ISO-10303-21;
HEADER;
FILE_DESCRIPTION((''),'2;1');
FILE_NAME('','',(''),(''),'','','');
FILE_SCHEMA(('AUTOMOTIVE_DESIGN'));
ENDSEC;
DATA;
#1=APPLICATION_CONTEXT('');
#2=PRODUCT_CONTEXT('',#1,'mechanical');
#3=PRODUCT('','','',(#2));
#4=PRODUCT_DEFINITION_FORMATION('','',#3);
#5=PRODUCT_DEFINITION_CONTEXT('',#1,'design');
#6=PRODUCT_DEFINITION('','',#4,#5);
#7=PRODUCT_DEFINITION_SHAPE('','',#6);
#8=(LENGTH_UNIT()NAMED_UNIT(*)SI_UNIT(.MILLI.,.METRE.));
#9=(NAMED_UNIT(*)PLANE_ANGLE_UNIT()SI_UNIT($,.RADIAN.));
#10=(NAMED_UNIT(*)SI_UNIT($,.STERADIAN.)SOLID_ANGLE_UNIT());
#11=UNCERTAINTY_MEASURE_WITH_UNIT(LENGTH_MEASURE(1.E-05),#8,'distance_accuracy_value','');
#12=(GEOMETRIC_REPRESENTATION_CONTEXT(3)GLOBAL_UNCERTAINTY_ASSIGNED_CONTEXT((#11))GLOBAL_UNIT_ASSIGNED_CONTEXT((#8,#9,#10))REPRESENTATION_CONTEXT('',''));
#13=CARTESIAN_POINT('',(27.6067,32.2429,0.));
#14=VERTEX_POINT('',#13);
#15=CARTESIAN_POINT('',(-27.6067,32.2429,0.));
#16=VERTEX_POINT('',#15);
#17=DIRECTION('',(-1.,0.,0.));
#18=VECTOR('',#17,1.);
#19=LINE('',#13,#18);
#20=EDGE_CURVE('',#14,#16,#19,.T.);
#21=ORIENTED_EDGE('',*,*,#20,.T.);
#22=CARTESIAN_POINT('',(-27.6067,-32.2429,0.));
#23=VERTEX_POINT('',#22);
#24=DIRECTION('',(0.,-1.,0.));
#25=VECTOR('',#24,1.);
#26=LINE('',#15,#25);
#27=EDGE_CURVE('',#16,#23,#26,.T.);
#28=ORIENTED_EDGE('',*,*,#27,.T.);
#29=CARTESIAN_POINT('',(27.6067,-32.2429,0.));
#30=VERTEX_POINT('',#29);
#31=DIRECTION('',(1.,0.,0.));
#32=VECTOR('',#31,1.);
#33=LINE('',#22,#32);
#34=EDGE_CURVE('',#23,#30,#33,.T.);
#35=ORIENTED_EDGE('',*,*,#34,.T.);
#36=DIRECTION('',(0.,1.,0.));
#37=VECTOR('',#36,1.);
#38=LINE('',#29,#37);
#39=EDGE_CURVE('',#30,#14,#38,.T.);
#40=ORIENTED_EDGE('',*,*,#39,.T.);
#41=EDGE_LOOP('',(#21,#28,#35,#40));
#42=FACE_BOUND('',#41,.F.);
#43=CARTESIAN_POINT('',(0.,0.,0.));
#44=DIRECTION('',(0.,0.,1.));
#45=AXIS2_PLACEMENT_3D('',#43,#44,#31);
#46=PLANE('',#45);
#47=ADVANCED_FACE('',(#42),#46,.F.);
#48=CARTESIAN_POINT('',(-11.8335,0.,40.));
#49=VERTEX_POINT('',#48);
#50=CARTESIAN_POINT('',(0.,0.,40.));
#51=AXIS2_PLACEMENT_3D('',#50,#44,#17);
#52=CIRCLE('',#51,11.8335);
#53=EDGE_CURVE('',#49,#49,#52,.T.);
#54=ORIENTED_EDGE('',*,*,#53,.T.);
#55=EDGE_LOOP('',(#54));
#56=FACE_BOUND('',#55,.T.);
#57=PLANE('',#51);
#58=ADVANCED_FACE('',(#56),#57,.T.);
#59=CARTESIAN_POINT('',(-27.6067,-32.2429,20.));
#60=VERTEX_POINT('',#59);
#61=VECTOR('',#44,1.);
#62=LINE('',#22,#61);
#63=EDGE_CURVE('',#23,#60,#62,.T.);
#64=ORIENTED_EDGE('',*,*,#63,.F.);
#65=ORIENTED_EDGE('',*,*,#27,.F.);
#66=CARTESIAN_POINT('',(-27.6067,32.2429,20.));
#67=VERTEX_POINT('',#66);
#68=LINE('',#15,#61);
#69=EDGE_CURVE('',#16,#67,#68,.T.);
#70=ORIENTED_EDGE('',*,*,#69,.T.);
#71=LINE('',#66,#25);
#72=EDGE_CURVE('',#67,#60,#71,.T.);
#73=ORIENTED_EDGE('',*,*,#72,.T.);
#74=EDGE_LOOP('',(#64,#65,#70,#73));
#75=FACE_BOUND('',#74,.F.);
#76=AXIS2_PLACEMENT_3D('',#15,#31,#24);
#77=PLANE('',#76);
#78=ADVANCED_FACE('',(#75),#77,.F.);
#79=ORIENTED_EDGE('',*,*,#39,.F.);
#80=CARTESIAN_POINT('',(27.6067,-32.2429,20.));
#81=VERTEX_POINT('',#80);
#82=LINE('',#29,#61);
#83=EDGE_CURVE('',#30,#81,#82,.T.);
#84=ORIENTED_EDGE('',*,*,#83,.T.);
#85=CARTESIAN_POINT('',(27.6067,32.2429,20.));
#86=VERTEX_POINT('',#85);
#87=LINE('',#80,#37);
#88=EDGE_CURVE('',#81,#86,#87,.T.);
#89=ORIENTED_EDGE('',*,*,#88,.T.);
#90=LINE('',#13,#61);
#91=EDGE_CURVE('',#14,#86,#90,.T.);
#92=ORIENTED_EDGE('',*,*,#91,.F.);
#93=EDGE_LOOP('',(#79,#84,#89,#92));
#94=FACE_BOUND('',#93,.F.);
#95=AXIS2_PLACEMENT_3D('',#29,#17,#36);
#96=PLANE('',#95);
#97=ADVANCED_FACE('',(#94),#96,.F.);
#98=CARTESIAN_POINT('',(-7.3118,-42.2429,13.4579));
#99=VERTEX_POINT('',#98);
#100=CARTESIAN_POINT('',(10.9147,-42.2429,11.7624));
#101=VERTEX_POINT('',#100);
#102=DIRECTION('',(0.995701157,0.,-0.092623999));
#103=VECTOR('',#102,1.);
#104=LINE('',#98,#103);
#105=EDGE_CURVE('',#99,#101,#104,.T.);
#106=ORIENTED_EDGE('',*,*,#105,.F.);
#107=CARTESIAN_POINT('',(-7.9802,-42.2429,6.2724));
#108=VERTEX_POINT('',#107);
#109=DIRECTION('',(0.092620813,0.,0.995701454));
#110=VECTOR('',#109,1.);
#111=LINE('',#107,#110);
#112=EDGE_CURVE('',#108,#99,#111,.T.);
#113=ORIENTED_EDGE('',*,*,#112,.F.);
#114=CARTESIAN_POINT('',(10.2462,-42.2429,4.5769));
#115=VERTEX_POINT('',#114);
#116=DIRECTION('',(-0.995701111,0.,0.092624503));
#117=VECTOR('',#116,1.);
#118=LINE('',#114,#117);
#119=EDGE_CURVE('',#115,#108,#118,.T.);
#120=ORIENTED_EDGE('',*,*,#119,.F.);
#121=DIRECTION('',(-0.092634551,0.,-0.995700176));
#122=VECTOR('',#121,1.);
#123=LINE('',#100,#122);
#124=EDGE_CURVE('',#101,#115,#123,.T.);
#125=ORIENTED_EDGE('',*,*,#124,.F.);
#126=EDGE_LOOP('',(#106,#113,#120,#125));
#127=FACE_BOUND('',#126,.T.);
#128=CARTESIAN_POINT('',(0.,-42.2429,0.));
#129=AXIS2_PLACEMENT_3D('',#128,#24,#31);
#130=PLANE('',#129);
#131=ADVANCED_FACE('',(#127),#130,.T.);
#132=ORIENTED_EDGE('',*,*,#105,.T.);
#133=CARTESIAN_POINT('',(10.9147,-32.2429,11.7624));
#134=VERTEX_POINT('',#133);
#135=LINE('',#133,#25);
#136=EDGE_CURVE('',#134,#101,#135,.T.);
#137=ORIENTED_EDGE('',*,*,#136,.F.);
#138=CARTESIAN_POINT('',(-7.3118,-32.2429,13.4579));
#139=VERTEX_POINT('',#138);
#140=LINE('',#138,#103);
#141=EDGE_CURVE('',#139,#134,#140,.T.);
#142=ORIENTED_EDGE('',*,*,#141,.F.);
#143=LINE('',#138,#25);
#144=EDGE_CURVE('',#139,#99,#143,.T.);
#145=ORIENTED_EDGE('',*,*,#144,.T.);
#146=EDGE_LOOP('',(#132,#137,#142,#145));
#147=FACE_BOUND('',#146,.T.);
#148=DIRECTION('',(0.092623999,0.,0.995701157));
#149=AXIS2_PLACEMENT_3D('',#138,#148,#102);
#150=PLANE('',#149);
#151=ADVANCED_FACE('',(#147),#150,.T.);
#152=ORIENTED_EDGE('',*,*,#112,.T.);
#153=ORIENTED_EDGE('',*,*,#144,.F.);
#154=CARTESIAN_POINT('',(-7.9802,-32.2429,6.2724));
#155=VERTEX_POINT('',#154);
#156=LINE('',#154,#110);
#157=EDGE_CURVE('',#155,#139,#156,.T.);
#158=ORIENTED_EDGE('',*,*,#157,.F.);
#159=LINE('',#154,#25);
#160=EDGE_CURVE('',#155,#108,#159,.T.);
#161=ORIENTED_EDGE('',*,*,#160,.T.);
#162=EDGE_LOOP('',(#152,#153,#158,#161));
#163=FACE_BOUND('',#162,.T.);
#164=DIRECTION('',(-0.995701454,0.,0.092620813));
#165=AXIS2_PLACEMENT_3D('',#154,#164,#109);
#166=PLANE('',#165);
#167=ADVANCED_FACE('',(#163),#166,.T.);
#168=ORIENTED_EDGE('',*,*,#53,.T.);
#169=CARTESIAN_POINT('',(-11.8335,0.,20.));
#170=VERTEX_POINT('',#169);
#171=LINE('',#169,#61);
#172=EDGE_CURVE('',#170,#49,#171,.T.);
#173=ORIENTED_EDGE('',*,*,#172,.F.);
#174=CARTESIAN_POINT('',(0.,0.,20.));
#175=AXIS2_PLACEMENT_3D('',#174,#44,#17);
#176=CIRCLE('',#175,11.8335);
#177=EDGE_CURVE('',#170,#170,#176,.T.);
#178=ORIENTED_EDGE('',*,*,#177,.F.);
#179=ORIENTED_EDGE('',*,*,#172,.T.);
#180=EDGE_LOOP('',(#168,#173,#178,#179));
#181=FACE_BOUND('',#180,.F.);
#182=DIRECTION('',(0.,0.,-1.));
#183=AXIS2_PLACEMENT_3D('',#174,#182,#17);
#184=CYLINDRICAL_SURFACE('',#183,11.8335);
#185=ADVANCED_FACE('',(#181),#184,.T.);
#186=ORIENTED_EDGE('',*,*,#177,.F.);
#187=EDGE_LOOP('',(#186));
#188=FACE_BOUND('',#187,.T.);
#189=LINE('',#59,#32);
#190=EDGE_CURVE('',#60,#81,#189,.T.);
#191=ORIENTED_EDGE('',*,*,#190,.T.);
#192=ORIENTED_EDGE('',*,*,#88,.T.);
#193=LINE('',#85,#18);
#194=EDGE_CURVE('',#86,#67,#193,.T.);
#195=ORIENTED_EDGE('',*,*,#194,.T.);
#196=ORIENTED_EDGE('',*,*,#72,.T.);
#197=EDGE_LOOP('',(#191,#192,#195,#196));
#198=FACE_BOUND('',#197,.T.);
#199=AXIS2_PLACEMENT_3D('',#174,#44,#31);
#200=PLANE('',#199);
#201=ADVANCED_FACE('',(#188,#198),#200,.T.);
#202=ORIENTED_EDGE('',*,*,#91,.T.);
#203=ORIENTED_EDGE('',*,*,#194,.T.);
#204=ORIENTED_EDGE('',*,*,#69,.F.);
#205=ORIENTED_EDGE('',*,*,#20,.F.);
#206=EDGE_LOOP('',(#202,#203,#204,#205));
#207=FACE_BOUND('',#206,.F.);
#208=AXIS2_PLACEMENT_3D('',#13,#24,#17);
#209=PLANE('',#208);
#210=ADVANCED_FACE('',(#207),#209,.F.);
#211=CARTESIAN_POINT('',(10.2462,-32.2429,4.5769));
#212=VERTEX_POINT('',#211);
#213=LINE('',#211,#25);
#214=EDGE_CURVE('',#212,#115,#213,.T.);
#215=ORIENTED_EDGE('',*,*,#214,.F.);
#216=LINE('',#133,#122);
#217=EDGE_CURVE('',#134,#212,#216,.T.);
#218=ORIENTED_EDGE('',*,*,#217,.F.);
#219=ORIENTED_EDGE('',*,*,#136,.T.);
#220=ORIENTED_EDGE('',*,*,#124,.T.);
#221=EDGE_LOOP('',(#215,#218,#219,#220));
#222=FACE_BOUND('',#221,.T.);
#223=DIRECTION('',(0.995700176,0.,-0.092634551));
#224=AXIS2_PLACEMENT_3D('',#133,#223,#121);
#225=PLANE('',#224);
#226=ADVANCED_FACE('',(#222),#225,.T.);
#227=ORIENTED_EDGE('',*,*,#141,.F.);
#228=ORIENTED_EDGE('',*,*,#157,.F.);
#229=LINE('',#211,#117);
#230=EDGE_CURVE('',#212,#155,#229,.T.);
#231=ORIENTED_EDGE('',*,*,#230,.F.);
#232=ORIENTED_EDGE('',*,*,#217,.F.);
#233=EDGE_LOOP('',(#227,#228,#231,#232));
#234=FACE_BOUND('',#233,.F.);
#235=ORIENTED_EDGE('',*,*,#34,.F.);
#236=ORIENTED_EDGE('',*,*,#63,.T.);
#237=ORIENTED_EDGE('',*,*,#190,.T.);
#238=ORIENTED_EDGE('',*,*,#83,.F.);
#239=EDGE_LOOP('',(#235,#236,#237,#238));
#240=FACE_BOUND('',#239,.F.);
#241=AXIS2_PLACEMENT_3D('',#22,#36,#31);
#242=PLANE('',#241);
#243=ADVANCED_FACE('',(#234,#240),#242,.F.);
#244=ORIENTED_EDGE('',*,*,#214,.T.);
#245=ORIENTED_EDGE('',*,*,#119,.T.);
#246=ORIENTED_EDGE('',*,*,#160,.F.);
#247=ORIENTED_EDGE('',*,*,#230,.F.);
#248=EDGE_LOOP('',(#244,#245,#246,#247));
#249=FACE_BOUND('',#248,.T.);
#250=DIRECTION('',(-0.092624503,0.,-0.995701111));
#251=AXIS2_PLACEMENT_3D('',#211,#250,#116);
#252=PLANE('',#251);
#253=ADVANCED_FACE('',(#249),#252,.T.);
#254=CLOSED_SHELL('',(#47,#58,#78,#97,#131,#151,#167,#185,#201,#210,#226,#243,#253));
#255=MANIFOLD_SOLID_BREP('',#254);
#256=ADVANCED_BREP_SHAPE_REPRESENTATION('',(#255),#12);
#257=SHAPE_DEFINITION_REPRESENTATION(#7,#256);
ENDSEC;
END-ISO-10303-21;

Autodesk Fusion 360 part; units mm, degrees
sketch "Sketch1" plane through (0, 0, 0) normal (0, 0, 1) x (1, 0, 0)
  line L0 (27.6067, 32.2429) -> (-27.6067, 32.2429)
  line L1 (-27.6067, 32.2429) -> (-27.6067, -32.2429)
  line L2 (-27.6067, -32.2429) -> (27.6067, -32.2429)
  line L3 (27.6067, -32.2429) -> (27.6067, 32.2429)
  line L4 (27.6067, 32.2429) -> (-27.6067, -32.2429) construction
  line L5 (-27.6067, 32.2429) -> (27.6067, -32.2429) construction
extrude "Extrude1" add sketch "Sketch1" along normal blind 20
sketch "Sketch2" plane through (0, 0, 20) normal (0, 0, 1) x (-1, 0, 0)
  line L0 (-27.6067, 32.2429) -> (-27.6067, -32.2429)
  line L1 (-27.6067, -32.2429) -> (27.6067, -32.2429)
  line L2 (27.6067, -32.2429) -> (27.6067, 32.2429)
  line L3 (27.6067, 32.2429) -> (-27.6067, 32.2429)
  circle A0 centre (0, 0) radius 11.8335
extrude "Extrude2" add sketch "Sketch2" along normal blind 20 contours A0
sketch "Sketch4" plane through (0, -32.2429, 0) normal (0, -1, 0) x (1, 0, 0)
  line L0 (-27.6067, 0) -> (27.6067, 0)
  line L1 (27.6067, 0) -> (27.6067, 20)
  line L2 (27.6067, 20) -> (-27.6067, 20)
  line L3 (-27.6067, 20) -> (-27.6067, 0)
  line L4 (-7.3118, 13.4579) -> (10.9147, 11.7624)
  line L5 (10.9147, 11.7624) -> (10.2462, 4.5769)
  line L6 (10.2462, 4.5769) -> (-7.9802, 6.2724)
  line L7 (-7.9802, 6.2724) -> (-7.3118, 13.4579)
extrude "Extrude4" add sketch "Sketch4" along normal blind 10 contours L4 L5 L6 L7
sketch "Sketch3" plane through (0, 0, 40) normal (0, 0, 1) x (-1, 0, 0)
  circle A0 centre (0, 0) radius 11.8335
  circle A1 centre (0, 0) radius 4.7343
extrude "Extrude3" [suppressed]
